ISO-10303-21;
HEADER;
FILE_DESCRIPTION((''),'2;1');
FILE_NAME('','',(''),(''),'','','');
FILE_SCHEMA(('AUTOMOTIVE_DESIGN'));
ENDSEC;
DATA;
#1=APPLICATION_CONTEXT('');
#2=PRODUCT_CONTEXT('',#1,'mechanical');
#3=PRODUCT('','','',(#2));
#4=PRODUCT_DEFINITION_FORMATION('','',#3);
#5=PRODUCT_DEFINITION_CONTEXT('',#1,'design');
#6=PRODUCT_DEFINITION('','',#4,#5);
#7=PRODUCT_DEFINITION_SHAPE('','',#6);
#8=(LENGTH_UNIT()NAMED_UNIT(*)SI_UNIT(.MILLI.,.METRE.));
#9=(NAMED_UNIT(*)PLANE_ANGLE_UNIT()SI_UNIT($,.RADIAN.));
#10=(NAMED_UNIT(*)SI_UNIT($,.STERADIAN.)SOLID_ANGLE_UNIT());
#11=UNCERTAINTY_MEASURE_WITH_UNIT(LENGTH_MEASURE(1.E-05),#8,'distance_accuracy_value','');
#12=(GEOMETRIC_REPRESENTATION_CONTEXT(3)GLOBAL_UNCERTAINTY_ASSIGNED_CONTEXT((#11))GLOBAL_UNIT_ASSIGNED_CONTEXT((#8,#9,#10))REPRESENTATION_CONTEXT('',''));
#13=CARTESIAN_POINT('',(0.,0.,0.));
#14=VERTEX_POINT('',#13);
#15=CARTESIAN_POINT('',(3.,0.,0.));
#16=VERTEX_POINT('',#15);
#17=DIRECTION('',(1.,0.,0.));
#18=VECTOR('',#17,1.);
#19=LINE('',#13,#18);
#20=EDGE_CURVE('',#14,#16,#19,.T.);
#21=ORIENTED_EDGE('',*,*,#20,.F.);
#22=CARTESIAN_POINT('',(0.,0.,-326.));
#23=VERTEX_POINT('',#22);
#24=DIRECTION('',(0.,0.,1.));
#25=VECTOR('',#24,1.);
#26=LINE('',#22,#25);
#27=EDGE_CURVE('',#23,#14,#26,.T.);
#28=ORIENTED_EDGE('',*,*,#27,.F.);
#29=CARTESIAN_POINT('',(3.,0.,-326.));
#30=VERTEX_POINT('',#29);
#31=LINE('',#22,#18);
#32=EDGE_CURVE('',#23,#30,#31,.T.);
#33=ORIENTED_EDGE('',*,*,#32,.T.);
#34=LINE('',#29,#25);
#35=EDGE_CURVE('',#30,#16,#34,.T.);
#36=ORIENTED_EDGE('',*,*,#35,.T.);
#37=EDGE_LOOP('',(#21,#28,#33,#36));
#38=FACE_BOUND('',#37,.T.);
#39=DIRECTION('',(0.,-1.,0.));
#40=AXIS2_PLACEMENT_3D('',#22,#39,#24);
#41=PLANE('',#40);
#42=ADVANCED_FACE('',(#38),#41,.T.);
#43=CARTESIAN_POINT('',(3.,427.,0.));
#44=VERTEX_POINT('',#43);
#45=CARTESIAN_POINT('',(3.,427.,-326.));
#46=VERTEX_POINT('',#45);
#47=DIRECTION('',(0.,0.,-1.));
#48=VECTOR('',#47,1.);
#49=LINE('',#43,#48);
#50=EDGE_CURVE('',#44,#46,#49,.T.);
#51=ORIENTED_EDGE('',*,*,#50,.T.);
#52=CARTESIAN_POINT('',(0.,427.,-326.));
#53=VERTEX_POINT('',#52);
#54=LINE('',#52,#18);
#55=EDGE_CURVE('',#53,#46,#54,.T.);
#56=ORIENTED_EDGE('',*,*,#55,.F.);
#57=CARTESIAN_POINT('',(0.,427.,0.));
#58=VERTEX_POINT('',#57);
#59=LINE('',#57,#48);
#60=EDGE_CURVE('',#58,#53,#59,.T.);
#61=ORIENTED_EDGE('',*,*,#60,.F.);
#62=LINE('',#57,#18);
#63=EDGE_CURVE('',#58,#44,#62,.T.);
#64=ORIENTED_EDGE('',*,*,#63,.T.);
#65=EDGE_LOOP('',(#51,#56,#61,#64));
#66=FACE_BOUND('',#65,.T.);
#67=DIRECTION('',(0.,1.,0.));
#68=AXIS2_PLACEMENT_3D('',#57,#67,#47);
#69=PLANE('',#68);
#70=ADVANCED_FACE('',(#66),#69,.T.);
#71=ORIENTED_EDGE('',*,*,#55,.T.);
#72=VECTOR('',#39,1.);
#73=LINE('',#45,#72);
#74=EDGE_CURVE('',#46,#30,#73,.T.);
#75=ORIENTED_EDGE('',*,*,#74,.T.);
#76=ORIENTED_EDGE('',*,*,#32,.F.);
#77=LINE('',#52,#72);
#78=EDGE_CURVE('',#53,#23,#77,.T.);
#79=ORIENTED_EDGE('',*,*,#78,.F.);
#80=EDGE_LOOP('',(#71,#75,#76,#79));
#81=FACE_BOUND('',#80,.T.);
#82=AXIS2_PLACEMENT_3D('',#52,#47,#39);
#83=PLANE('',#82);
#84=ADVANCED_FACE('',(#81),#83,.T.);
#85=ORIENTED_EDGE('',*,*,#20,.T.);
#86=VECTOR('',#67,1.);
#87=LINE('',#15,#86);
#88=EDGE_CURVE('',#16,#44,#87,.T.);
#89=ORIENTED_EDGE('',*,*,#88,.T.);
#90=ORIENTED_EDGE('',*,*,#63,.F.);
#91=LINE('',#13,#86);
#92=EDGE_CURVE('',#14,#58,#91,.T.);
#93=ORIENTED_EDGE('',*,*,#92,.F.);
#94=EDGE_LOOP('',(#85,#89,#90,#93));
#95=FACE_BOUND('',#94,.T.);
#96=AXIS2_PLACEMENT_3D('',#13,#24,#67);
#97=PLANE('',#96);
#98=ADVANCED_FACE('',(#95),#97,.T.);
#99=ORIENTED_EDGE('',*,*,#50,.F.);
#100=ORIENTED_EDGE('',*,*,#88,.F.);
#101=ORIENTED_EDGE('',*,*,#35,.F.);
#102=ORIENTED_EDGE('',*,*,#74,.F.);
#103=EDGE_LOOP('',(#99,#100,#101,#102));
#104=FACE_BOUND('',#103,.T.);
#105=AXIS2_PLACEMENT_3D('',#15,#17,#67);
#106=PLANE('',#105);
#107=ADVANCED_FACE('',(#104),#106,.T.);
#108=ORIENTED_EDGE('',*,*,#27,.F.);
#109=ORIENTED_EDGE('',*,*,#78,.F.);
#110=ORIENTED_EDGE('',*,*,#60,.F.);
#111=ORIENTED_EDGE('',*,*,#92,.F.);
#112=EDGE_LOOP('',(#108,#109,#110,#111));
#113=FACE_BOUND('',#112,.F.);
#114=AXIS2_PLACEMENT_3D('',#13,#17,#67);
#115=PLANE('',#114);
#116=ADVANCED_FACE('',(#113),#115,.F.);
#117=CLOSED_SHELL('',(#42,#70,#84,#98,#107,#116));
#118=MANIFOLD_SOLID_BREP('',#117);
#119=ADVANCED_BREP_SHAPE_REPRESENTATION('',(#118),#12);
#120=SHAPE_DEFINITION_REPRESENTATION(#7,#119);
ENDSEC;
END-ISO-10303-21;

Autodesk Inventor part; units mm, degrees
ref_plane "YZ Plane" through (0, 0, 0) normal (1, 0, 0) x (0, 1, 0)
ref_plane "XZ Plane" through (0, 0, 0) normal (0, 1, 0) x (-1, 0, 0)
ref_plane "XY Plane" through (0, 0, 0) normal (0, 0, 1) x (1, 0, 0)
sketch "Sketch1" plane through (0, 0, 0) normal (1, 0, 0) x (0, 1, 0)
  line L0 (0, 0) -> (427, 0)
  line L1 (427, 0) -> (427, -326)
  line L2 (427, -326) -> (0, -326)
  line L3 (0, -326) -> (0, 0)
  dimension "d0" = 427
  dimension "d1" = 326
extrude "Extrusion1" add sketch "Sketch1" along normal blind 3
properties part number "cover side" material "Nylon 6/6"
